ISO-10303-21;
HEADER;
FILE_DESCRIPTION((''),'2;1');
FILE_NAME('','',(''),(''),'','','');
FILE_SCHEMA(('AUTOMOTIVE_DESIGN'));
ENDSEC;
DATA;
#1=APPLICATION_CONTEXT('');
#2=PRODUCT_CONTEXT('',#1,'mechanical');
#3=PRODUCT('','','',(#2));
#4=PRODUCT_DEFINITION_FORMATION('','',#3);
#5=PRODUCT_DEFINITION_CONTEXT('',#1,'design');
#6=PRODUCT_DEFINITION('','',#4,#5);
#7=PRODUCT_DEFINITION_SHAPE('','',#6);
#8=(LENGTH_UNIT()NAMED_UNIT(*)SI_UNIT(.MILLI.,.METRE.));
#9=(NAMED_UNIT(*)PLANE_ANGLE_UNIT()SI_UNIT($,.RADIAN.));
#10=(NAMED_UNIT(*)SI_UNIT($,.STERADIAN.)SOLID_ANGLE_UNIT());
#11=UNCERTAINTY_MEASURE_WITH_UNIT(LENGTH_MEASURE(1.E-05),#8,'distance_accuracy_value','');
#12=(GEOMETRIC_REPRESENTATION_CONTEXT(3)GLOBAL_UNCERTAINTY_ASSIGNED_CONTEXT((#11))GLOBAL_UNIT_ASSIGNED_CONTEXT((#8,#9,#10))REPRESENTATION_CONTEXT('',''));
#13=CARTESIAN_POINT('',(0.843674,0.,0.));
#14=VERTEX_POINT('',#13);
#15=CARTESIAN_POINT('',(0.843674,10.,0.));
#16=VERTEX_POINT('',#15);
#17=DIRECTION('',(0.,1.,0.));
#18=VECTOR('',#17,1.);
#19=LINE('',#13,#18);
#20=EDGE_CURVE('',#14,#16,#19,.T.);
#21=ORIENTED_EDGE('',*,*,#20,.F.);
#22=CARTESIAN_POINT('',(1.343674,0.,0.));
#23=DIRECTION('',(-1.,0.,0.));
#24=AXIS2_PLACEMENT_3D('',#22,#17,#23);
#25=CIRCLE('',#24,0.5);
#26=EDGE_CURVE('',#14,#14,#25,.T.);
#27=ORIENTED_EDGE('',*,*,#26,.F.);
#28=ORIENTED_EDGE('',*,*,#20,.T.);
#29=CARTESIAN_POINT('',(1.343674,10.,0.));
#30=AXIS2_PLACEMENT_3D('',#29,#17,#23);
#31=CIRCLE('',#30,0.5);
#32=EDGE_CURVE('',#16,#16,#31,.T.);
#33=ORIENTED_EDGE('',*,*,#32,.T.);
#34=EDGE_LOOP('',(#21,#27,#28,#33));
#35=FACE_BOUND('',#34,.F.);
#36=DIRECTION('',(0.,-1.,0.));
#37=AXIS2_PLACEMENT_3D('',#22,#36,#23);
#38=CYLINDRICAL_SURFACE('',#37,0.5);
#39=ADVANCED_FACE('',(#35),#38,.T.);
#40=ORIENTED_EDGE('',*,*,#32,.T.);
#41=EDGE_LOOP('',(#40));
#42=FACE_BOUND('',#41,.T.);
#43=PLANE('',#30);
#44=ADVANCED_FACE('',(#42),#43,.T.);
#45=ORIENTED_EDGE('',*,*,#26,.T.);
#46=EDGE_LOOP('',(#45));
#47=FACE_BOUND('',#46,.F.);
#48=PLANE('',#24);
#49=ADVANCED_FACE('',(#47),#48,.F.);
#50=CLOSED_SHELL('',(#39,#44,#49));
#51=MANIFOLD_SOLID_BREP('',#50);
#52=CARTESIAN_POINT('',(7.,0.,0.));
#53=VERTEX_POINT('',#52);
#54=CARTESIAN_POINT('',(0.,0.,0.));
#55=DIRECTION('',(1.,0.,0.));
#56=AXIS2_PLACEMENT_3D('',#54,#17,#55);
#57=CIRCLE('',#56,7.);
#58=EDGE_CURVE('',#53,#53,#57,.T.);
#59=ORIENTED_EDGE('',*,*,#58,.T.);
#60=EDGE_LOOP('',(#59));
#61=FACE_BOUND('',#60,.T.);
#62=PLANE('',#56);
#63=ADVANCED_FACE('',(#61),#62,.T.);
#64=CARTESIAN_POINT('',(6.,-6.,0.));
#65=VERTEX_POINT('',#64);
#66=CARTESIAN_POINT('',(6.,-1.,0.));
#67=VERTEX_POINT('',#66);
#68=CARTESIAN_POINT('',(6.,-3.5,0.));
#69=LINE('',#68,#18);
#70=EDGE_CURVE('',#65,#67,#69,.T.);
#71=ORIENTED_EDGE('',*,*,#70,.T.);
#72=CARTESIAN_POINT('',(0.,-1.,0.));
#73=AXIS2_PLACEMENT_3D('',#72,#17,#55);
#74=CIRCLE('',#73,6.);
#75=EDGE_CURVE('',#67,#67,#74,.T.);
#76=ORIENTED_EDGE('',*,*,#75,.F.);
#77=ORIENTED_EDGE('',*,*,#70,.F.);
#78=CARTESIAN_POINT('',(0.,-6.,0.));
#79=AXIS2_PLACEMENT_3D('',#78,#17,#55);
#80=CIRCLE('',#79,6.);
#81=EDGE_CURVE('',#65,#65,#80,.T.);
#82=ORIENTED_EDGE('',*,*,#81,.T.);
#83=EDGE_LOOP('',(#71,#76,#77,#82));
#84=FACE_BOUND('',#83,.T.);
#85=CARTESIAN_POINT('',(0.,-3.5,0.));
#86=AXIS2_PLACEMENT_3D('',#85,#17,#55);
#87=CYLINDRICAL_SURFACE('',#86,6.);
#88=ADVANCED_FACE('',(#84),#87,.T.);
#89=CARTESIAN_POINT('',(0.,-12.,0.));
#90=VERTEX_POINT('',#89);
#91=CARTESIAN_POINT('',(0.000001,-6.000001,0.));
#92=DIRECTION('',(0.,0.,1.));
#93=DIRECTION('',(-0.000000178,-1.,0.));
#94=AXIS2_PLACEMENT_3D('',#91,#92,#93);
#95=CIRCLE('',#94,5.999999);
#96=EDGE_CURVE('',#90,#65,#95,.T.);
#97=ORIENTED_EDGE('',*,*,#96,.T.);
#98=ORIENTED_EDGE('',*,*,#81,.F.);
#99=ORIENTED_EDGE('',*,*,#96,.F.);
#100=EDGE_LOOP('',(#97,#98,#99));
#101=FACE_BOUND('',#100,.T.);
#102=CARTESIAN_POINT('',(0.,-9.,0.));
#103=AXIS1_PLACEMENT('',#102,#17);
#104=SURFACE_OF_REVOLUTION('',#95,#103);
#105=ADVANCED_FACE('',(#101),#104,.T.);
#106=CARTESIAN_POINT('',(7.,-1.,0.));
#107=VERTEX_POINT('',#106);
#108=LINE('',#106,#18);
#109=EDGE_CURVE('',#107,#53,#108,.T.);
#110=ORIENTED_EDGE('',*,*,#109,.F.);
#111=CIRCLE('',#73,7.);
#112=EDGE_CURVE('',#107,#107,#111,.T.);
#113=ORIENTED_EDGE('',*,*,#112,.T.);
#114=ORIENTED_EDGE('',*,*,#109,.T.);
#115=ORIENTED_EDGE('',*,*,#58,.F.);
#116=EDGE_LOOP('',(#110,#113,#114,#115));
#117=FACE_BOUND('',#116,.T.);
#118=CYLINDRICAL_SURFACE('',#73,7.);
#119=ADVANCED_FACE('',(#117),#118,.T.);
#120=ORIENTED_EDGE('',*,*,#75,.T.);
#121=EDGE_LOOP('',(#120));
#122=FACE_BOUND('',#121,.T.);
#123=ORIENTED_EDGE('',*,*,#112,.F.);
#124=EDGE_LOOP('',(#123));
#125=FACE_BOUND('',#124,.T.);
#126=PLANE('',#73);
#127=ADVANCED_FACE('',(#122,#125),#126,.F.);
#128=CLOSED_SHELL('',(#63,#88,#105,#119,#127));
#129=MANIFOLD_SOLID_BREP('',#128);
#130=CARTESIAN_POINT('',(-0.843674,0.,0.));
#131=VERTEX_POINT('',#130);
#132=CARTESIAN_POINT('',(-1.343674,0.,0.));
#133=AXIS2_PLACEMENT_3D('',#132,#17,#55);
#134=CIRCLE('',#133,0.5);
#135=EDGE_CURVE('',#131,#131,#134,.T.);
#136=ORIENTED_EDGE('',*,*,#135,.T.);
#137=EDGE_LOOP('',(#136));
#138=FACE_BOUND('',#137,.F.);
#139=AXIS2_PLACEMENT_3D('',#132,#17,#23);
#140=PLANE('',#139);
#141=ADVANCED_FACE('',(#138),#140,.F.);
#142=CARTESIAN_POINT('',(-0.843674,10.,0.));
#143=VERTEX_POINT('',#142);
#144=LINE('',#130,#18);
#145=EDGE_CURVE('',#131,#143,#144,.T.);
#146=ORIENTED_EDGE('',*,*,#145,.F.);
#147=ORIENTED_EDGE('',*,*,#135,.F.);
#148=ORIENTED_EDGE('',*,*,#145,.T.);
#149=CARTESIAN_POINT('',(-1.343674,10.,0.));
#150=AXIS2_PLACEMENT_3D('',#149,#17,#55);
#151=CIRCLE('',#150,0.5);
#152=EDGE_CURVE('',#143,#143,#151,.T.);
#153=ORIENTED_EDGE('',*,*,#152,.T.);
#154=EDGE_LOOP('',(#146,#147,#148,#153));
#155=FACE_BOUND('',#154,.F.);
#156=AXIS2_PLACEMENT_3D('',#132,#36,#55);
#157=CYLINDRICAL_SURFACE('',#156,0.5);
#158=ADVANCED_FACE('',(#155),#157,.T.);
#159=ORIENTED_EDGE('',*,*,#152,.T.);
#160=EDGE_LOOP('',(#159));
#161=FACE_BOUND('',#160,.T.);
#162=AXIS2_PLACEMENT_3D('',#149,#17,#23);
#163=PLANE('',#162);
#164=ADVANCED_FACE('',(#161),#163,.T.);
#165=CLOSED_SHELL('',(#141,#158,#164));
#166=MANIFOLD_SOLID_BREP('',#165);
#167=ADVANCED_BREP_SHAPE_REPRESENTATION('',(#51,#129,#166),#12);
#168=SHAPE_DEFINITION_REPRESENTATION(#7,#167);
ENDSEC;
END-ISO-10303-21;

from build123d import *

# Parameters (mm, degrees)
F0_W     = 6
F0_H     = 5
F2_R     = 0.5
F3_DEPTH = 10


with BuildPart() as f1:
    # F0 (on Top) → F1 (revolve)
    with BuildSketch(Plane.XY):
        Polygon((7, 0), (0, 0), (0, -1), (6, -1), (7, -1), align=None)
        with Locations((3, -3.5)):
            Rectangle(F0_W, F0_H)
        with BuildLine():
            Line((6, -6), (0, -6))
            Line((0, -6), (0, -12))
            ThreePointArc((0, -12), (4.242641, -10.242641), (6, -6))
        make_face()
    revolve(axis=Axis((0, -9, 0), (0, 1, 0)))


with BuildPart() as f3:
    # F2 (on face) → F3 (new body)
    with BuildSketch(Plane(origin=(0, 0, 0), x_dir=(-1, 0, 0), z_dir=(0, 1, 0))):
        with Locations((-1.343674, 0)):
            Circle(F2_R)
        with BuildLine():
            ThreePointArc((1.843674, 0), (1.343674, 0.5), (0.843674, 0))
            ThreePointArc((0.843674, 0), (1.343674, -0.5), (1.843674, 0))
        make_face()
    extrude(amount=F3_DEPTH)


solid = Compound([f1.part, f3.part])
